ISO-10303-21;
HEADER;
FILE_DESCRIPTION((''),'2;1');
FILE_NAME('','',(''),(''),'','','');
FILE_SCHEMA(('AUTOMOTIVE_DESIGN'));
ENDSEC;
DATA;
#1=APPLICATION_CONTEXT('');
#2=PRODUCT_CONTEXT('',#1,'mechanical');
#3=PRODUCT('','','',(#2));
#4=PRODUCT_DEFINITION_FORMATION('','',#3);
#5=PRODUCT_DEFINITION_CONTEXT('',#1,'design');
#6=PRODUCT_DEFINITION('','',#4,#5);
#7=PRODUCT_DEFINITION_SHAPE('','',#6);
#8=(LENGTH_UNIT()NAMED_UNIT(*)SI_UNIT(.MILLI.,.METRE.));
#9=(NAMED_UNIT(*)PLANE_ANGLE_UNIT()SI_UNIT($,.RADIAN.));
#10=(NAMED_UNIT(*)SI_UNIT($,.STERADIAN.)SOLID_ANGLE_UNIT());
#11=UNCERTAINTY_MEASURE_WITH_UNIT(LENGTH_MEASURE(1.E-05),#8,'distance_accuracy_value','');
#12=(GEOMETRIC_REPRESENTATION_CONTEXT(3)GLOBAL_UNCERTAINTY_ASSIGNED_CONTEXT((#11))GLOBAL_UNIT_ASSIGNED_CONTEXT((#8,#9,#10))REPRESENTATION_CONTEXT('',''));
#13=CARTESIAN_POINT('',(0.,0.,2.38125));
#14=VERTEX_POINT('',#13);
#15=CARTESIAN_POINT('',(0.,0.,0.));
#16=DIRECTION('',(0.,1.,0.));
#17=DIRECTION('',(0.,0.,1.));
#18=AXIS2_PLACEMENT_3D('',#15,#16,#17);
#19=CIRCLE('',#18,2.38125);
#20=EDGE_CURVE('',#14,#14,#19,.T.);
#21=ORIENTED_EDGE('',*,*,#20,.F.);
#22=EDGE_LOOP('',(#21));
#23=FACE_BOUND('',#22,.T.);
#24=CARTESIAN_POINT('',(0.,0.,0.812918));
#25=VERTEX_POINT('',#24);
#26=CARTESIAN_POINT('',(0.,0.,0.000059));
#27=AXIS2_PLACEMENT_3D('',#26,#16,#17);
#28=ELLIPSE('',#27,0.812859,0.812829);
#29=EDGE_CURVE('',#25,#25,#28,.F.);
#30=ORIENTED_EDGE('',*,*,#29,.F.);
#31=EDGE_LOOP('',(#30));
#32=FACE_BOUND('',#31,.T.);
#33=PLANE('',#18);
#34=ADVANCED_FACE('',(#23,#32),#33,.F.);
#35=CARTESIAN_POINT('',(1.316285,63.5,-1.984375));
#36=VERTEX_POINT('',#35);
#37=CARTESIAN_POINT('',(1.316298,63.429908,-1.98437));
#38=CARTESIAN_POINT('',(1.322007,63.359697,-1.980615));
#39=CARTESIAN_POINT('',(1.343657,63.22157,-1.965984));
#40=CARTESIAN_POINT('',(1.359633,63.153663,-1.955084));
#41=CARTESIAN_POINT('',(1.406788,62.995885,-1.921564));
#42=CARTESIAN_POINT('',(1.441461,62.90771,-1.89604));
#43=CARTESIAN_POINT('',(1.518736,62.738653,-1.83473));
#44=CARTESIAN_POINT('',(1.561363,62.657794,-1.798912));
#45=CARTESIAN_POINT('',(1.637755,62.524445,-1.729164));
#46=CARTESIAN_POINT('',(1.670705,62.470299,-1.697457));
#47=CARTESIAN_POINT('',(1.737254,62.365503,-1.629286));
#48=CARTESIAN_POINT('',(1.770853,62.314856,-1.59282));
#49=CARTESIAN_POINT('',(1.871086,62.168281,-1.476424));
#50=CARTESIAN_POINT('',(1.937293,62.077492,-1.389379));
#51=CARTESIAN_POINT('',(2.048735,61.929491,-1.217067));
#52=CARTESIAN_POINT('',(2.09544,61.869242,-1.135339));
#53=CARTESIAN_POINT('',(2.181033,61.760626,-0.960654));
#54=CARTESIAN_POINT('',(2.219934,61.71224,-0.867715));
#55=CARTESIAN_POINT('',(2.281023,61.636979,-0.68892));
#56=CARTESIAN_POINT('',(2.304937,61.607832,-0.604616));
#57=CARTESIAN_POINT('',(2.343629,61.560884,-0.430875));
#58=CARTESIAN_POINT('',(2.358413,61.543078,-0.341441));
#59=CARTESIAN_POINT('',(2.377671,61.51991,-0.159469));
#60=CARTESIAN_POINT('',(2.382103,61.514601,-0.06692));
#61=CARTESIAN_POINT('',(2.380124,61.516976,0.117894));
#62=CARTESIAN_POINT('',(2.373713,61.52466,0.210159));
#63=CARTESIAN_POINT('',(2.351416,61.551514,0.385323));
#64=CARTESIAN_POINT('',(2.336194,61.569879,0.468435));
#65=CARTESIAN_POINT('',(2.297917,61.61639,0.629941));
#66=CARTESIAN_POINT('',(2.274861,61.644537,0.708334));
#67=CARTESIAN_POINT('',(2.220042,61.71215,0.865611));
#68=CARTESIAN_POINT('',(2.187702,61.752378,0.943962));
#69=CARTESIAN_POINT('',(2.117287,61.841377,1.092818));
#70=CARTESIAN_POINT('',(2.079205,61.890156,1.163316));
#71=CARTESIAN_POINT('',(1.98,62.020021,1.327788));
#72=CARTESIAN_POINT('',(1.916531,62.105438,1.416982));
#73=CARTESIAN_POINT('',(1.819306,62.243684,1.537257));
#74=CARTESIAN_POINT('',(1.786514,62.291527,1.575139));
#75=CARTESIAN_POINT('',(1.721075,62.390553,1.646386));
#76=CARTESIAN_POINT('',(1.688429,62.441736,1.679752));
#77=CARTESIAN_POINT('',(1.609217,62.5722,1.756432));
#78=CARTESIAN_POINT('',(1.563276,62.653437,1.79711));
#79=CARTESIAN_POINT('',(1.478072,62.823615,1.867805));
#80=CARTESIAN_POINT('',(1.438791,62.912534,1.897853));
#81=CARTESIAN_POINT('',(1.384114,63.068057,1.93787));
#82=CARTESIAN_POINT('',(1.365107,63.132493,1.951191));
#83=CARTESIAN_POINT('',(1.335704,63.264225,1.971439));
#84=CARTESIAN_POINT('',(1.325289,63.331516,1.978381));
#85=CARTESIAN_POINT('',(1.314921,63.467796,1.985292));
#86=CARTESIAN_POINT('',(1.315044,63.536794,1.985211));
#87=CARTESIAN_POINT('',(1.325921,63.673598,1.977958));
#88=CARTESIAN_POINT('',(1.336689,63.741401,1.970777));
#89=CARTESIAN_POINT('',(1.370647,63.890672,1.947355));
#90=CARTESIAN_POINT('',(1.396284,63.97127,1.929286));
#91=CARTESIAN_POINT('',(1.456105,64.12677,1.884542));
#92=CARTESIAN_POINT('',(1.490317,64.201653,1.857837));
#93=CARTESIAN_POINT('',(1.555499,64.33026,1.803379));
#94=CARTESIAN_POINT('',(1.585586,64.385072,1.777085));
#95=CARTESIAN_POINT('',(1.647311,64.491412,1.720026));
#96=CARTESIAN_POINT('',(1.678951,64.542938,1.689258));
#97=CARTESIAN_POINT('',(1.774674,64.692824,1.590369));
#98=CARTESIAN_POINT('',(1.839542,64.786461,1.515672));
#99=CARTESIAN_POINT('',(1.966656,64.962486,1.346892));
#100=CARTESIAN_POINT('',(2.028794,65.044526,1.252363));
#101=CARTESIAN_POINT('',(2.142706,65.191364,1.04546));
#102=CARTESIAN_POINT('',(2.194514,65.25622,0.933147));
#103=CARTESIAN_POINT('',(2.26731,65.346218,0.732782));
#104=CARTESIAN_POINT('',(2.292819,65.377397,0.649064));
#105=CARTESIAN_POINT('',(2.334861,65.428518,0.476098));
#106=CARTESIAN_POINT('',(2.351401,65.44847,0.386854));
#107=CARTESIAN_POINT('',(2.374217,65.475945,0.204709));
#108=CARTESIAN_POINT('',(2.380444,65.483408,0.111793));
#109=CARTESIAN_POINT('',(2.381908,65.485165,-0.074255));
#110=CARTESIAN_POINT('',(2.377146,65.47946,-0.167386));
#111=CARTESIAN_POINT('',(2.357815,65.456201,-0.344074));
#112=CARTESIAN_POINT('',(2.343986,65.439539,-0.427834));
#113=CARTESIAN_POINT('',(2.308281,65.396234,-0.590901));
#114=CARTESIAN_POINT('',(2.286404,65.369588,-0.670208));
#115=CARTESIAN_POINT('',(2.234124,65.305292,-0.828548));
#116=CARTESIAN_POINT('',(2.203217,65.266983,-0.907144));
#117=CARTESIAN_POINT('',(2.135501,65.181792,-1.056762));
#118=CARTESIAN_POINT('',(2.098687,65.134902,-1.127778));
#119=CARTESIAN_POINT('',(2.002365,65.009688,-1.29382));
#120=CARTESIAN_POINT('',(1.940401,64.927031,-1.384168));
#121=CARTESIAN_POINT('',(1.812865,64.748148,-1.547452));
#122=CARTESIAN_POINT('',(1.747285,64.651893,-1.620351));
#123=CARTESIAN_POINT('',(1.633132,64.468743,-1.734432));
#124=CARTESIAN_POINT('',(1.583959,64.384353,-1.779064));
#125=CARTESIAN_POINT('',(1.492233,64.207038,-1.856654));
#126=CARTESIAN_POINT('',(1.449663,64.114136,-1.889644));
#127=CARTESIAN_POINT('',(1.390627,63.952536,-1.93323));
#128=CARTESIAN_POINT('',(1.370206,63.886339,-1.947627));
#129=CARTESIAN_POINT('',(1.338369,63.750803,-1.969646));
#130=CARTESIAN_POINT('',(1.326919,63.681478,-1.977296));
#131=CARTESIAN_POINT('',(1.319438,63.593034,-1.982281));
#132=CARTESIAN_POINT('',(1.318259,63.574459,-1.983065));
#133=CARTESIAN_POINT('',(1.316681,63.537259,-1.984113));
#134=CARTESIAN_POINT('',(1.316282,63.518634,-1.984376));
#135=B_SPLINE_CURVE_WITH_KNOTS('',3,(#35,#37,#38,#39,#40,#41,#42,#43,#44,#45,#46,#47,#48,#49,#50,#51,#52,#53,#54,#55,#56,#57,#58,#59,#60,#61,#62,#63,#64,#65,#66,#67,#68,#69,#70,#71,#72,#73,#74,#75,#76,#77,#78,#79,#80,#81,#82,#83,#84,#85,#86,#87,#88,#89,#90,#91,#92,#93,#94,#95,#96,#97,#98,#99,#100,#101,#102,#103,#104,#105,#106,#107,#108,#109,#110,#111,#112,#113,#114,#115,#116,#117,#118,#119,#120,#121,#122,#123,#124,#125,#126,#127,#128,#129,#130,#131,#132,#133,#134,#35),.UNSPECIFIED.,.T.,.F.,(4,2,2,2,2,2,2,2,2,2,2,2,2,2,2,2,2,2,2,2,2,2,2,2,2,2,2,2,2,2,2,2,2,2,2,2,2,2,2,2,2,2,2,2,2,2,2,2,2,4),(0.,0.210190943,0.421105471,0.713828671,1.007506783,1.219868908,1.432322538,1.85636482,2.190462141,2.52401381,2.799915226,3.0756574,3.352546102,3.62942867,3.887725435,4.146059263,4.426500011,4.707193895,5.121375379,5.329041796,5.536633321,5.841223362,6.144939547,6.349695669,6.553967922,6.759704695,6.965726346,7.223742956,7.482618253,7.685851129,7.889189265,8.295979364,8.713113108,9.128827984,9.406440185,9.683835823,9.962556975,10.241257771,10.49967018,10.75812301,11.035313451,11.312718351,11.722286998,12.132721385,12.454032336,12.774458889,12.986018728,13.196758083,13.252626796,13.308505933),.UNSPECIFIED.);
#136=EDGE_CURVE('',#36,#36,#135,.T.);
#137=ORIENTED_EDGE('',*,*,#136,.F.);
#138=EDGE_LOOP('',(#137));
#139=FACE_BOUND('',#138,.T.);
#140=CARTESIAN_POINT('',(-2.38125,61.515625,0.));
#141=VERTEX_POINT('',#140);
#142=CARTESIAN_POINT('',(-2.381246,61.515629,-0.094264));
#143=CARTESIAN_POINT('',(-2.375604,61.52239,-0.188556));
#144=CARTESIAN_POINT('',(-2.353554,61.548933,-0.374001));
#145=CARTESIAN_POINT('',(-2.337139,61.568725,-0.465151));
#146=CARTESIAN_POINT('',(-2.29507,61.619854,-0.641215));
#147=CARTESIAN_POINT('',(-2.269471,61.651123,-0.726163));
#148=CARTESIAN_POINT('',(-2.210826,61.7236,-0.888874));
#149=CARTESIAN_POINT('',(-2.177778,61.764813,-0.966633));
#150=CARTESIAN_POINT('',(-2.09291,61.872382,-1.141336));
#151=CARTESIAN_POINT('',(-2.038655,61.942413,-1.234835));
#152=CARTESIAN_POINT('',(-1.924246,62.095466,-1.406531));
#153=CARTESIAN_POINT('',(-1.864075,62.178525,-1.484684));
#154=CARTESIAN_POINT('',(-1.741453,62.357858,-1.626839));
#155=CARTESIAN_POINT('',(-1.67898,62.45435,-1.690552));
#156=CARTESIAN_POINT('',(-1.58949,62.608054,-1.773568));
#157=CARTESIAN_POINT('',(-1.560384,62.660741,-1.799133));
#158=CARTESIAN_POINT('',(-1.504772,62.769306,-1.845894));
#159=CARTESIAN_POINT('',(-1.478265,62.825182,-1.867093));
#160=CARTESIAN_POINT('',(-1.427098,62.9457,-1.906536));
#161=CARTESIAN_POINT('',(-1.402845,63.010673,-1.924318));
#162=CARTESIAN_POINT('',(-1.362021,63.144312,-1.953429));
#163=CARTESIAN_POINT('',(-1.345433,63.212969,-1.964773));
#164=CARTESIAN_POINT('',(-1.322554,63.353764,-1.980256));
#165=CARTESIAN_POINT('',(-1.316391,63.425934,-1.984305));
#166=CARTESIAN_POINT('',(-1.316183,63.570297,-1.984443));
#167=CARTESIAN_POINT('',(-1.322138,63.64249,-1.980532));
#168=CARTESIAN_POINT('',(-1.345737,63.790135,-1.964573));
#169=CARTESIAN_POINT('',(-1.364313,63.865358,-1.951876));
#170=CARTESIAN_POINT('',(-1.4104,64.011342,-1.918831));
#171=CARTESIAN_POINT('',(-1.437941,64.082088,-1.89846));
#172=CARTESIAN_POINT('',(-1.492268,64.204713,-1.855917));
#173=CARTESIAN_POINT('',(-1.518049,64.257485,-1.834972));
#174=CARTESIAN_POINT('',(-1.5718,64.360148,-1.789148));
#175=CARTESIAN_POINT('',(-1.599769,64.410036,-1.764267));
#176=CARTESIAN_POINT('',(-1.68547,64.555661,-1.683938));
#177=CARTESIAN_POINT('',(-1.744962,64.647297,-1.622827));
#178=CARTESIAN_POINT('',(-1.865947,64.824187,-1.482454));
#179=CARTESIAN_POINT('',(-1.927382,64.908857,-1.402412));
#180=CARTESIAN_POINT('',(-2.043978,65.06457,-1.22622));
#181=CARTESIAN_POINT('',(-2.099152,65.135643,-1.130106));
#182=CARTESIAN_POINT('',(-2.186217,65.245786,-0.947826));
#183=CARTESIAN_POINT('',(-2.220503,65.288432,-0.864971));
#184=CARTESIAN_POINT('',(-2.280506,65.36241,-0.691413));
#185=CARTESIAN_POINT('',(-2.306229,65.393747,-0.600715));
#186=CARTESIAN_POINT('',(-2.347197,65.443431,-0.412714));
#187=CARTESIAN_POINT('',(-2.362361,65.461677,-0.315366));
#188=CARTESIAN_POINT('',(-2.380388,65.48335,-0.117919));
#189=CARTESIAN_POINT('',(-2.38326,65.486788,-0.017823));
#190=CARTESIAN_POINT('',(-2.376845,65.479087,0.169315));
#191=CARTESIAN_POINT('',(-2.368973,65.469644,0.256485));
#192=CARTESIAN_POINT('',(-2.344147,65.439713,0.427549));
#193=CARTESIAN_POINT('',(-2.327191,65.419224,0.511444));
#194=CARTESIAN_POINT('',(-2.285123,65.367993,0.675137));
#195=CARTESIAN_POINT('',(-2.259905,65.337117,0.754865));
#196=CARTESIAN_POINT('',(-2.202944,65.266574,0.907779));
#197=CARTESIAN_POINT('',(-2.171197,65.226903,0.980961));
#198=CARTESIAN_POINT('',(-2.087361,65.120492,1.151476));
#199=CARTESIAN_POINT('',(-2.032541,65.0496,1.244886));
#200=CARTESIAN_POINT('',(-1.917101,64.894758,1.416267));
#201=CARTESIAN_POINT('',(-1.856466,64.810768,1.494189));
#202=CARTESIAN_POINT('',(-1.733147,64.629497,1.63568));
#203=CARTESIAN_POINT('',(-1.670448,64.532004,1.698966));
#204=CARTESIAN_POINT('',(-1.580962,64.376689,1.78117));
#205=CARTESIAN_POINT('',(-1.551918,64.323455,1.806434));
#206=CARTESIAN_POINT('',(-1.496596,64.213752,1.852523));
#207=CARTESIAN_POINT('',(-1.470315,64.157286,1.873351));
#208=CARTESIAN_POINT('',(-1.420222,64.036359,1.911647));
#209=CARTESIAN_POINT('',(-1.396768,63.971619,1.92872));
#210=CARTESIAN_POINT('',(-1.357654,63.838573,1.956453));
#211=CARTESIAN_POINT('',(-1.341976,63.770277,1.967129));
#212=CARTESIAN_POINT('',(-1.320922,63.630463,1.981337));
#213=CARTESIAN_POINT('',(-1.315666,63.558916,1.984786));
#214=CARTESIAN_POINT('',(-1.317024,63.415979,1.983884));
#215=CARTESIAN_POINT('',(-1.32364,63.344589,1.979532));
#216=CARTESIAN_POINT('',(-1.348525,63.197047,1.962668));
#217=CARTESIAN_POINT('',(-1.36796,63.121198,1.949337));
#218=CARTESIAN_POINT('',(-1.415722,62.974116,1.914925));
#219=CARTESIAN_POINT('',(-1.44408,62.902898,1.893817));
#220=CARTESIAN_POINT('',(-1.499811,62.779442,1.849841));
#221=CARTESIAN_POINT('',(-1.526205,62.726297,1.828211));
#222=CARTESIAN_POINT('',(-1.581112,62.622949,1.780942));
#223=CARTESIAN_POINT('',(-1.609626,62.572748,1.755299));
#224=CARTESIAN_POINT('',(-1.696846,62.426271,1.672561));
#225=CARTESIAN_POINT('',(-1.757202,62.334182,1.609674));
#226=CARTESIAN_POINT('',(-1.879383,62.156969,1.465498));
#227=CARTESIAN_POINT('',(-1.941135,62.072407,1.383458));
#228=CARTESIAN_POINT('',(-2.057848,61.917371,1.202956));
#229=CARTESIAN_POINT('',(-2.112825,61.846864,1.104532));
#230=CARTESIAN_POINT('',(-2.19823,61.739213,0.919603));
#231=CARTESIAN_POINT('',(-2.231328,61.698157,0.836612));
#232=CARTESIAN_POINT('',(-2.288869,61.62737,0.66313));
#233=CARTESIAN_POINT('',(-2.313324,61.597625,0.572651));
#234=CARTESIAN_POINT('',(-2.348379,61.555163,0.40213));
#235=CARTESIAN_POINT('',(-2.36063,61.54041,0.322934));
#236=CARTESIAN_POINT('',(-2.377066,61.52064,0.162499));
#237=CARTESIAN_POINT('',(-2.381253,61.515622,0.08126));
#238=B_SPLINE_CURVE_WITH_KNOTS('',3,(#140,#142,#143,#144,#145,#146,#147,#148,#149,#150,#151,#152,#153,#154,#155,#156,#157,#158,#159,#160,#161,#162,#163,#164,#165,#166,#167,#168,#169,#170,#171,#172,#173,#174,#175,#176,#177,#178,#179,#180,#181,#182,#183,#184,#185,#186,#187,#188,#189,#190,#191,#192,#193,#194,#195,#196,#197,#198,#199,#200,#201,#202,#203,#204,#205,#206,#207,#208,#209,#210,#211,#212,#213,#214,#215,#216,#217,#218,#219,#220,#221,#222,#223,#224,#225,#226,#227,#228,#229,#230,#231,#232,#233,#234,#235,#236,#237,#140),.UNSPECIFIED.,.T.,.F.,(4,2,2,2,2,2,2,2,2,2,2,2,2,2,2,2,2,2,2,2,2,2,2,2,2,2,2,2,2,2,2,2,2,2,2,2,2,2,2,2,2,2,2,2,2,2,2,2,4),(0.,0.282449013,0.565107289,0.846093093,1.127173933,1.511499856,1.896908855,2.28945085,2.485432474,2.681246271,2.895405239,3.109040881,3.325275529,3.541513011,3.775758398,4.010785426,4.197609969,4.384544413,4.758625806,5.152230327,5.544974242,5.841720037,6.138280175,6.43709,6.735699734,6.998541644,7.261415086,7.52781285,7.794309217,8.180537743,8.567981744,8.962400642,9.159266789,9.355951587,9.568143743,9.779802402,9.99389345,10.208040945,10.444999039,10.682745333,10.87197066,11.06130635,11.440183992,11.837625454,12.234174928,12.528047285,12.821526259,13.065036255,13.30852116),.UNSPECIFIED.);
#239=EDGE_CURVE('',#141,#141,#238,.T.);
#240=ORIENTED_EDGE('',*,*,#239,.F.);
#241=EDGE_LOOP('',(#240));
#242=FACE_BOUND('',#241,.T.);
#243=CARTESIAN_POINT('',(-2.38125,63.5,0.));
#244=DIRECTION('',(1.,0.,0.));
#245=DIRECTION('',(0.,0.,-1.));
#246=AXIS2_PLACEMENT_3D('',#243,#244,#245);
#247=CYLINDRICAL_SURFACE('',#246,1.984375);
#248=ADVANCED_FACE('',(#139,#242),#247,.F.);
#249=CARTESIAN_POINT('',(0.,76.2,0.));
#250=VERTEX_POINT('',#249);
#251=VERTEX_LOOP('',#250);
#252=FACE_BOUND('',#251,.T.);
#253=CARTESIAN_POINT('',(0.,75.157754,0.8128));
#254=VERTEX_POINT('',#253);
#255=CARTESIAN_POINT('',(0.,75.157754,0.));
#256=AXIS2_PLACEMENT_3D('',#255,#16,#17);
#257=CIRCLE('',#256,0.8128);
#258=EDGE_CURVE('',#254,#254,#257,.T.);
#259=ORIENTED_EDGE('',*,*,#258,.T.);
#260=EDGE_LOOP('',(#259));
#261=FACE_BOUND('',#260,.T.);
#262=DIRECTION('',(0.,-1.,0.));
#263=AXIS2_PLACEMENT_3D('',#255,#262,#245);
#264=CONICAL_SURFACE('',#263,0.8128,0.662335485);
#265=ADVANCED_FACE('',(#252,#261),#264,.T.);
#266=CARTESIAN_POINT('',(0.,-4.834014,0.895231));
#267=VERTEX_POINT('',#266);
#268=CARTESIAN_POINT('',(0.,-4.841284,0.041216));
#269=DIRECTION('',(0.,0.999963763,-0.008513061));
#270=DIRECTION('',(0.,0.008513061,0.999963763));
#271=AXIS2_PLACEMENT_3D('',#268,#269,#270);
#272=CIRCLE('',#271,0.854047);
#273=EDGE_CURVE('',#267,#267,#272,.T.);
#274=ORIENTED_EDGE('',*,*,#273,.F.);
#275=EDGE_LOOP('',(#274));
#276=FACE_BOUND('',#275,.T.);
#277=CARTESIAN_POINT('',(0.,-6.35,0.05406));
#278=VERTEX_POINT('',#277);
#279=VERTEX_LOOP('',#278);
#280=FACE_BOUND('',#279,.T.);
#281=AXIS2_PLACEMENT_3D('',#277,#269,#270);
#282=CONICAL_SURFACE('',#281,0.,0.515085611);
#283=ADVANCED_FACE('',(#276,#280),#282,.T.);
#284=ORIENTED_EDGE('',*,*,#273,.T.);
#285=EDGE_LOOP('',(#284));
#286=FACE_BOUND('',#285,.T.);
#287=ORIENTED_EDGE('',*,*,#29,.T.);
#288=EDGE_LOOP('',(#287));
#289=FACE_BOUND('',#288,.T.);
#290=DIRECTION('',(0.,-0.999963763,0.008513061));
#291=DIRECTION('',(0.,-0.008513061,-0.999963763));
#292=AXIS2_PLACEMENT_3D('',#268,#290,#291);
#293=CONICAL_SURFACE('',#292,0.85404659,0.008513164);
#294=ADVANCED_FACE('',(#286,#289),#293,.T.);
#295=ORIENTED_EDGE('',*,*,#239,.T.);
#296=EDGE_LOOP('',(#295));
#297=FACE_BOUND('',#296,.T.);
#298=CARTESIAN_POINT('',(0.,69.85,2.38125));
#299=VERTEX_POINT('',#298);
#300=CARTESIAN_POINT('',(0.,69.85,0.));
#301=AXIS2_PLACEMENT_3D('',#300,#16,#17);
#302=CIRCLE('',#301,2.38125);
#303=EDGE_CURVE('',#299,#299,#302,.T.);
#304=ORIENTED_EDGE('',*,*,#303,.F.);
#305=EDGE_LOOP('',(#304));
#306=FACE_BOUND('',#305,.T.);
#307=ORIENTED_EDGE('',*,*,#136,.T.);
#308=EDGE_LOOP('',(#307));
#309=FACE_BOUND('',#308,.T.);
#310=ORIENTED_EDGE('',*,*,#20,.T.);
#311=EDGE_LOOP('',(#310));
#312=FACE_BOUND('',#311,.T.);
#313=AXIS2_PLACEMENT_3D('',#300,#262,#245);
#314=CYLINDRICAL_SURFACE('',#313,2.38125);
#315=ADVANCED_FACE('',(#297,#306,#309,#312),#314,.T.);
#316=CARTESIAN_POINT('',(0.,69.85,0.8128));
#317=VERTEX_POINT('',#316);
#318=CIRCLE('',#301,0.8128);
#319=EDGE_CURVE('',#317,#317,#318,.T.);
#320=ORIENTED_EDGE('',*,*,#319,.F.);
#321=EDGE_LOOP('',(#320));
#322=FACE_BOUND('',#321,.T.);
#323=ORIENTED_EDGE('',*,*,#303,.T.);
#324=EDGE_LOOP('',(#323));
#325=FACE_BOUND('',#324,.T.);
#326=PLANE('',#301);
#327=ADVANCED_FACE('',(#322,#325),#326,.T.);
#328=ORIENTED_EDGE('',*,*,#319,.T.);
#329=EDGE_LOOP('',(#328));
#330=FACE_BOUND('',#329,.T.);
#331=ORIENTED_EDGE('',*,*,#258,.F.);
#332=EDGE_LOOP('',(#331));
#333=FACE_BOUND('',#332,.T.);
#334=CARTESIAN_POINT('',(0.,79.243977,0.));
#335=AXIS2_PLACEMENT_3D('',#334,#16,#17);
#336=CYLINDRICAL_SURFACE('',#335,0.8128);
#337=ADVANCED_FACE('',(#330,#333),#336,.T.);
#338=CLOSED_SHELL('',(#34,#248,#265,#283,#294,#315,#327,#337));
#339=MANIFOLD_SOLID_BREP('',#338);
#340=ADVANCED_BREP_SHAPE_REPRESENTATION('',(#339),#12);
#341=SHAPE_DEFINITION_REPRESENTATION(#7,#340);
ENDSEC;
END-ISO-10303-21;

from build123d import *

# Parameters (mm, degrees)
SKETCH1_R               = 2.38125
BOSS_EXTRUDE1_DEPTH     = 69.85
SKETCH7_R               = 1.984375
CUT_EXTRUDE1_DEPTH      = 3.38125
CUT_EXTRUDE1_DEPTH_BACK = 3.38125


with BuildPart() as part:
    # Sketch1 → Boss-Extrude1 (new body)
    with BuildSketch(Plane(origin=(0, 0, 0), x_dir=(1, 0, 0), z_dir=(0, 1, 0))):
        Circle(SKETCH1_R)
    extrude(amount=BOSS_EXTRUDE1_DEPTH)

    # Sketch2 → Revolve4 (revolve)
    with BuildSketch(Plane.XY):
        Polygon((0, 76.2), (0, 69.85), (0.8128, 69.85), (0.8128, 75.157753569), align=None)
    revolve(axis=Axis((0, 79.243977314, 0), (0, -1, 0)))

    # Sketch4 → Revolve5 (revolve)
    with BuildSketch(Plane(origin=(0, 0, 0), x_dir=(0, 0, -1), z_dir=(1, 0, 0))):
        Polygon((0, 0), (-0.054059899, -6.35), (0.8128, -4.848554612), (0.8128, 0), align=None)
    revolve(axis=Axis((0, 0, 0), (0, -0.999963763, 0.008513061)))

    # Sketch7 → Cut-Extrude1 (cut, two sides)
    with BuildSketch(Plane(origin=(0, 0, 0), x_dir=(0, 0, -1), z_dir=(1, 0, 0))) as cut_extrude1_sk:
        with Locations((0, 63.5)):
            Circle(SKETCH7_R)
    extrude(amount=CUT_EXTRUDE1_DEPTH, mode=Mode.SUBTRACT)
    extrude(cut_extrude1_sk.sketch, amount=-CUT_EXTRUDE1_DEPTH_BACK, mode=Mode.SUBTRACT)


solid = part.part
